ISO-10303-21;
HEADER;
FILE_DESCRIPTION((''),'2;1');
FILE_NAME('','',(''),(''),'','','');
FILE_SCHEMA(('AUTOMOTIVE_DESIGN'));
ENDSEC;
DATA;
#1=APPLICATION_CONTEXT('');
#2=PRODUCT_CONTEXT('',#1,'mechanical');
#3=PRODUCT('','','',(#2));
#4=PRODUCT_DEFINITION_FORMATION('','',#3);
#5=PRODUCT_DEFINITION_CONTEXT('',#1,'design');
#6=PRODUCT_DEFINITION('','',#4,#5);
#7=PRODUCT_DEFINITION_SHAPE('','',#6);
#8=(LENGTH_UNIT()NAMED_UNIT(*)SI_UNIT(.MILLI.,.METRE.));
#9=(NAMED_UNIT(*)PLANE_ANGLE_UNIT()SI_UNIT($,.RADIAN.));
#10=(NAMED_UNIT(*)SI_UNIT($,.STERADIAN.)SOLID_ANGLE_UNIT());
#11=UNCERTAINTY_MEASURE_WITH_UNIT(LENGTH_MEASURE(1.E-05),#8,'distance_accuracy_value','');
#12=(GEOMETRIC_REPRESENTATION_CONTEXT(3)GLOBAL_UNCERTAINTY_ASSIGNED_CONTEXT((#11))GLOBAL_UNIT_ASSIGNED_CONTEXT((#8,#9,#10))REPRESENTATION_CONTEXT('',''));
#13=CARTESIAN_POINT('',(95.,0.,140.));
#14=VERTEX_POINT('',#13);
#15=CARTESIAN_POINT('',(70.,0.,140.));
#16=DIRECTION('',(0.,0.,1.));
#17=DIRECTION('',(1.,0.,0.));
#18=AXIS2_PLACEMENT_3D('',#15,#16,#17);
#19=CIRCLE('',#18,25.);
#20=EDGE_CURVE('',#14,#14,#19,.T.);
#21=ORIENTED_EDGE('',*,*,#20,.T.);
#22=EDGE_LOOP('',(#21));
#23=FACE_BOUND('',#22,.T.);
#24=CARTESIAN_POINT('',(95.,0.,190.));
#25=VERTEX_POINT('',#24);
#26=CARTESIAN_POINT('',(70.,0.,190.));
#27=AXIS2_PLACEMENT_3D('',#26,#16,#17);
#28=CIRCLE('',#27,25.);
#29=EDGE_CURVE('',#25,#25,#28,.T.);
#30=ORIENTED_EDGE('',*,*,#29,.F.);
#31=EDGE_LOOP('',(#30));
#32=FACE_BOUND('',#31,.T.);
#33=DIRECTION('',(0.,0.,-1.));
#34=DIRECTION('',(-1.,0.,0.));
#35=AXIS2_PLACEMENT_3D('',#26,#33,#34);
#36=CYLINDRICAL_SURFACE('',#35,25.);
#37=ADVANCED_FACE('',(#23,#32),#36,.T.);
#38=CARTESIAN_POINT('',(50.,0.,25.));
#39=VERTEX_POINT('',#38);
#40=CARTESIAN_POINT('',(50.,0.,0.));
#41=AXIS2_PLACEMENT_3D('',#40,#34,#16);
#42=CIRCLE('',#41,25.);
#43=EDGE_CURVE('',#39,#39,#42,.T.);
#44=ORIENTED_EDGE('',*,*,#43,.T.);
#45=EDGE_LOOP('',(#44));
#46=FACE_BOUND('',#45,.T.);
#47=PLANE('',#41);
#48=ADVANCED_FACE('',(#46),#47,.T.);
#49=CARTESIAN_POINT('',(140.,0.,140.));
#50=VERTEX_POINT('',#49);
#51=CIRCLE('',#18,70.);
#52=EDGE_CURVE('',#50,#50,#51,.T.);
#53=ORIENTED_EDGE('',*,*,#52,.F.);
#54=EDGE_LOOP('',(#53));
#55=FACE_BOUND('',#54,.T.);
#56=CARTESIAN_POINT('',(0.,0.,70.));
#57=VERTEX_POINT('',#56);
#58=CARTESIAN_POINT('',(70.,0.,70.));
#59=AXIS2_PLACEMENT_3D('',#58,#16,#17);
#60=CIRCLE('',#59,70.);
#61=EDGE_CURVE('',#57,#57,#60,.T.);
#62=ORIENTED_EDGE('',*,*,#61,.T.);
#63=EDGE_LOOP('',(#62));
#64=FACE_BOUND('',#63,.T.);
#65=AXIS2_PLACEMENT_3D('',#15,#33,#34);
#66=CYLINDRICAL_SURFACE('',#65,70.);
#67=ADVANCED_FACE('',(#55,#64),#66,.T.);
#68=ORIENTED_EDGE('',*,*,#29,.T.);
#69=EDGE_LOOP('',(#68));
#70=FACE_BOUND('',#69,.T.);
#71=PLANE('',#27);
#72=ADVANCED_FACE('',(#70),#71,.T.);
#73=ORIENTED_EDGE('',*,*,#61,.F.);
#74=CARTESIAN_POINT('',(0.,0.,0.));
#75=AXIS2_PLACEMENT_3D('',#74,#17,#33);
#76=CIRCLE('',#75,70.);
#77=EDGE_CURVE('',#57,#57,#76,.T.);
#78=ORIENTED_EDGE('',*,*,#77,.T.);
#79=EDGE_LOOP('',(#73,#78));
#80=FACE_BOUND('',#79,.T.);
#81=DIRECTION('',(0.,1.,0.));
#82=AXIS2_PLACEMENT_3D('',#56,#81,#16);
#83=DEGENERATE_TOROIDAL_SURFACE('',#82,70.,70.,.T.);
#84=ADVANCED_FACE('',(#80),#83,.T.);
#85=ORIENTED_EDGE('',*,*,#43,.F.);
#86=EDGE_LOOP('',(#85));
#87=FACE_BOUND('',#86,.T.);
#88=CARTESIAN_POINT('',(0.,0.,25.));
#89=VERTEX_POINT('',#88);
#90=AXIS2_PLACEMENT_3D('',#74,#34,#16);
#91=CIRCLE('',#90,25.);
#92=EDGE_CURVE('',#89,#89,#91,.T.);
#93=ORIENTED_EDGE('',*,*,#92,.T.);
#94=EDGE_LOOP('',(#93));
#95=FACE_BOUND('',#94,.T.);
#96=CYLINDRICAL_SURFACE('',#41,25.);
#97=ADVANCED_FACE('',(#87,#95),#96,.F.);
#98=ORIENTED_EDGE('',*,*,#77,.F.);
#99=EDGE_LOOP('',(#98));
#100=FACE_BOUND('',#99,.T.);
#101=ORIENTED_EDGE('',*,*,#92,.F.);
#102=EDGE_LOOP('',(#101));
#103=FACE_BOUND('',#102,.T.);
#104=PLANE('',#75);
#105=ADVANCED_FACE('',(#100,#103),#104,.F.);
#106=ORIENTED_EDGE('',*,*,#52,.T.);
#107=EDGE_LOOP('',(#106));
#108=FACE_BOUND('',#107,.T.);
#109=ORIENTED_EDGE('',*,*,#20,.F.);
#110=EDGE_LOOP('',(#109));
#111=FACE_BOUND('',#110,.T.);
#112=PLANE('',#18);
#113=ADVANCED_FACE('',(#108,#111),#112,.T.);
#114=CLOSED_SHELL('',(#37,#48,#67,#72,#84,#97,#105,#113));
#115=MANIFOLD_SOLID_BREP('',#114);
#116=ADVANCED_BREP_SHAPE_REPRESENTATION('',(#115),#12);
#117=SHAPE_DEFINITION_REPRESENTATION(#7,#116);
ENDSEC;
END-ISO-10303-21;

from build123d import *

# Parameters (mm, degrees)
SKETCH1_R           = 70
SKETCH4_R           = 25
CUT_EXTRUDE1_DEPTH  = 50
SKETCH5_R           = 70
BOSS_EXTRUDE2_DEPTH = 70
SKETCH6_R           = 25
BOSS_EXTRUDE3_DEPTH = 50


with BuildPart() as part:
    # Sweep1: sweep along a path in Sketch2
    with BuildLine(Plane(origin=(0, 0, 0), x_dir=(1, 0, 0), z_dir=(0, 1, 0))) as sweep1_path:
        ThreePointArc((70, -70), (49.497474683, -20.502525317), (0, 0))
    # Sketch1 → Sweep1 (sweep)
    with BuildSketch(Plane(origin=(0, 0, 0), x_dir=(0, 0, -1), z_dir=(1, 0, 0))):
        Circle(SKETCH1_R)
    sweep(path=sweep1_path.line)

    # Sketch4 → Cut-Extrude1 (cut)
    with BuildSketch(Plane.ZY):
        Circle(SKETCH4_R)
    extrude(amount=-CUT_EXTRUDE1_DEPTH, mode=Mode.SUBTRACT)

    # Sketch5 → Boss-Extrude2 (add)
    with BuildSketch(Plane.XY.offset(70)):
        with Locations(Location((70, 0, 0), (0, 0, 180))):
            Circle(SKETCH5_R)
    extrude(amount=BOSS_EXTRUDE2_DEPTH)

    # Sketch6 → Boss-Extrude3 (add)
    with BuildSketch(Plane.XY.offset(140)):
        with Locations((70, 0)):
            Circle(SKETCH6_R)
    extrude(amount=BOSS_EXTRUDE3_DEPTH)


solid = part.part
